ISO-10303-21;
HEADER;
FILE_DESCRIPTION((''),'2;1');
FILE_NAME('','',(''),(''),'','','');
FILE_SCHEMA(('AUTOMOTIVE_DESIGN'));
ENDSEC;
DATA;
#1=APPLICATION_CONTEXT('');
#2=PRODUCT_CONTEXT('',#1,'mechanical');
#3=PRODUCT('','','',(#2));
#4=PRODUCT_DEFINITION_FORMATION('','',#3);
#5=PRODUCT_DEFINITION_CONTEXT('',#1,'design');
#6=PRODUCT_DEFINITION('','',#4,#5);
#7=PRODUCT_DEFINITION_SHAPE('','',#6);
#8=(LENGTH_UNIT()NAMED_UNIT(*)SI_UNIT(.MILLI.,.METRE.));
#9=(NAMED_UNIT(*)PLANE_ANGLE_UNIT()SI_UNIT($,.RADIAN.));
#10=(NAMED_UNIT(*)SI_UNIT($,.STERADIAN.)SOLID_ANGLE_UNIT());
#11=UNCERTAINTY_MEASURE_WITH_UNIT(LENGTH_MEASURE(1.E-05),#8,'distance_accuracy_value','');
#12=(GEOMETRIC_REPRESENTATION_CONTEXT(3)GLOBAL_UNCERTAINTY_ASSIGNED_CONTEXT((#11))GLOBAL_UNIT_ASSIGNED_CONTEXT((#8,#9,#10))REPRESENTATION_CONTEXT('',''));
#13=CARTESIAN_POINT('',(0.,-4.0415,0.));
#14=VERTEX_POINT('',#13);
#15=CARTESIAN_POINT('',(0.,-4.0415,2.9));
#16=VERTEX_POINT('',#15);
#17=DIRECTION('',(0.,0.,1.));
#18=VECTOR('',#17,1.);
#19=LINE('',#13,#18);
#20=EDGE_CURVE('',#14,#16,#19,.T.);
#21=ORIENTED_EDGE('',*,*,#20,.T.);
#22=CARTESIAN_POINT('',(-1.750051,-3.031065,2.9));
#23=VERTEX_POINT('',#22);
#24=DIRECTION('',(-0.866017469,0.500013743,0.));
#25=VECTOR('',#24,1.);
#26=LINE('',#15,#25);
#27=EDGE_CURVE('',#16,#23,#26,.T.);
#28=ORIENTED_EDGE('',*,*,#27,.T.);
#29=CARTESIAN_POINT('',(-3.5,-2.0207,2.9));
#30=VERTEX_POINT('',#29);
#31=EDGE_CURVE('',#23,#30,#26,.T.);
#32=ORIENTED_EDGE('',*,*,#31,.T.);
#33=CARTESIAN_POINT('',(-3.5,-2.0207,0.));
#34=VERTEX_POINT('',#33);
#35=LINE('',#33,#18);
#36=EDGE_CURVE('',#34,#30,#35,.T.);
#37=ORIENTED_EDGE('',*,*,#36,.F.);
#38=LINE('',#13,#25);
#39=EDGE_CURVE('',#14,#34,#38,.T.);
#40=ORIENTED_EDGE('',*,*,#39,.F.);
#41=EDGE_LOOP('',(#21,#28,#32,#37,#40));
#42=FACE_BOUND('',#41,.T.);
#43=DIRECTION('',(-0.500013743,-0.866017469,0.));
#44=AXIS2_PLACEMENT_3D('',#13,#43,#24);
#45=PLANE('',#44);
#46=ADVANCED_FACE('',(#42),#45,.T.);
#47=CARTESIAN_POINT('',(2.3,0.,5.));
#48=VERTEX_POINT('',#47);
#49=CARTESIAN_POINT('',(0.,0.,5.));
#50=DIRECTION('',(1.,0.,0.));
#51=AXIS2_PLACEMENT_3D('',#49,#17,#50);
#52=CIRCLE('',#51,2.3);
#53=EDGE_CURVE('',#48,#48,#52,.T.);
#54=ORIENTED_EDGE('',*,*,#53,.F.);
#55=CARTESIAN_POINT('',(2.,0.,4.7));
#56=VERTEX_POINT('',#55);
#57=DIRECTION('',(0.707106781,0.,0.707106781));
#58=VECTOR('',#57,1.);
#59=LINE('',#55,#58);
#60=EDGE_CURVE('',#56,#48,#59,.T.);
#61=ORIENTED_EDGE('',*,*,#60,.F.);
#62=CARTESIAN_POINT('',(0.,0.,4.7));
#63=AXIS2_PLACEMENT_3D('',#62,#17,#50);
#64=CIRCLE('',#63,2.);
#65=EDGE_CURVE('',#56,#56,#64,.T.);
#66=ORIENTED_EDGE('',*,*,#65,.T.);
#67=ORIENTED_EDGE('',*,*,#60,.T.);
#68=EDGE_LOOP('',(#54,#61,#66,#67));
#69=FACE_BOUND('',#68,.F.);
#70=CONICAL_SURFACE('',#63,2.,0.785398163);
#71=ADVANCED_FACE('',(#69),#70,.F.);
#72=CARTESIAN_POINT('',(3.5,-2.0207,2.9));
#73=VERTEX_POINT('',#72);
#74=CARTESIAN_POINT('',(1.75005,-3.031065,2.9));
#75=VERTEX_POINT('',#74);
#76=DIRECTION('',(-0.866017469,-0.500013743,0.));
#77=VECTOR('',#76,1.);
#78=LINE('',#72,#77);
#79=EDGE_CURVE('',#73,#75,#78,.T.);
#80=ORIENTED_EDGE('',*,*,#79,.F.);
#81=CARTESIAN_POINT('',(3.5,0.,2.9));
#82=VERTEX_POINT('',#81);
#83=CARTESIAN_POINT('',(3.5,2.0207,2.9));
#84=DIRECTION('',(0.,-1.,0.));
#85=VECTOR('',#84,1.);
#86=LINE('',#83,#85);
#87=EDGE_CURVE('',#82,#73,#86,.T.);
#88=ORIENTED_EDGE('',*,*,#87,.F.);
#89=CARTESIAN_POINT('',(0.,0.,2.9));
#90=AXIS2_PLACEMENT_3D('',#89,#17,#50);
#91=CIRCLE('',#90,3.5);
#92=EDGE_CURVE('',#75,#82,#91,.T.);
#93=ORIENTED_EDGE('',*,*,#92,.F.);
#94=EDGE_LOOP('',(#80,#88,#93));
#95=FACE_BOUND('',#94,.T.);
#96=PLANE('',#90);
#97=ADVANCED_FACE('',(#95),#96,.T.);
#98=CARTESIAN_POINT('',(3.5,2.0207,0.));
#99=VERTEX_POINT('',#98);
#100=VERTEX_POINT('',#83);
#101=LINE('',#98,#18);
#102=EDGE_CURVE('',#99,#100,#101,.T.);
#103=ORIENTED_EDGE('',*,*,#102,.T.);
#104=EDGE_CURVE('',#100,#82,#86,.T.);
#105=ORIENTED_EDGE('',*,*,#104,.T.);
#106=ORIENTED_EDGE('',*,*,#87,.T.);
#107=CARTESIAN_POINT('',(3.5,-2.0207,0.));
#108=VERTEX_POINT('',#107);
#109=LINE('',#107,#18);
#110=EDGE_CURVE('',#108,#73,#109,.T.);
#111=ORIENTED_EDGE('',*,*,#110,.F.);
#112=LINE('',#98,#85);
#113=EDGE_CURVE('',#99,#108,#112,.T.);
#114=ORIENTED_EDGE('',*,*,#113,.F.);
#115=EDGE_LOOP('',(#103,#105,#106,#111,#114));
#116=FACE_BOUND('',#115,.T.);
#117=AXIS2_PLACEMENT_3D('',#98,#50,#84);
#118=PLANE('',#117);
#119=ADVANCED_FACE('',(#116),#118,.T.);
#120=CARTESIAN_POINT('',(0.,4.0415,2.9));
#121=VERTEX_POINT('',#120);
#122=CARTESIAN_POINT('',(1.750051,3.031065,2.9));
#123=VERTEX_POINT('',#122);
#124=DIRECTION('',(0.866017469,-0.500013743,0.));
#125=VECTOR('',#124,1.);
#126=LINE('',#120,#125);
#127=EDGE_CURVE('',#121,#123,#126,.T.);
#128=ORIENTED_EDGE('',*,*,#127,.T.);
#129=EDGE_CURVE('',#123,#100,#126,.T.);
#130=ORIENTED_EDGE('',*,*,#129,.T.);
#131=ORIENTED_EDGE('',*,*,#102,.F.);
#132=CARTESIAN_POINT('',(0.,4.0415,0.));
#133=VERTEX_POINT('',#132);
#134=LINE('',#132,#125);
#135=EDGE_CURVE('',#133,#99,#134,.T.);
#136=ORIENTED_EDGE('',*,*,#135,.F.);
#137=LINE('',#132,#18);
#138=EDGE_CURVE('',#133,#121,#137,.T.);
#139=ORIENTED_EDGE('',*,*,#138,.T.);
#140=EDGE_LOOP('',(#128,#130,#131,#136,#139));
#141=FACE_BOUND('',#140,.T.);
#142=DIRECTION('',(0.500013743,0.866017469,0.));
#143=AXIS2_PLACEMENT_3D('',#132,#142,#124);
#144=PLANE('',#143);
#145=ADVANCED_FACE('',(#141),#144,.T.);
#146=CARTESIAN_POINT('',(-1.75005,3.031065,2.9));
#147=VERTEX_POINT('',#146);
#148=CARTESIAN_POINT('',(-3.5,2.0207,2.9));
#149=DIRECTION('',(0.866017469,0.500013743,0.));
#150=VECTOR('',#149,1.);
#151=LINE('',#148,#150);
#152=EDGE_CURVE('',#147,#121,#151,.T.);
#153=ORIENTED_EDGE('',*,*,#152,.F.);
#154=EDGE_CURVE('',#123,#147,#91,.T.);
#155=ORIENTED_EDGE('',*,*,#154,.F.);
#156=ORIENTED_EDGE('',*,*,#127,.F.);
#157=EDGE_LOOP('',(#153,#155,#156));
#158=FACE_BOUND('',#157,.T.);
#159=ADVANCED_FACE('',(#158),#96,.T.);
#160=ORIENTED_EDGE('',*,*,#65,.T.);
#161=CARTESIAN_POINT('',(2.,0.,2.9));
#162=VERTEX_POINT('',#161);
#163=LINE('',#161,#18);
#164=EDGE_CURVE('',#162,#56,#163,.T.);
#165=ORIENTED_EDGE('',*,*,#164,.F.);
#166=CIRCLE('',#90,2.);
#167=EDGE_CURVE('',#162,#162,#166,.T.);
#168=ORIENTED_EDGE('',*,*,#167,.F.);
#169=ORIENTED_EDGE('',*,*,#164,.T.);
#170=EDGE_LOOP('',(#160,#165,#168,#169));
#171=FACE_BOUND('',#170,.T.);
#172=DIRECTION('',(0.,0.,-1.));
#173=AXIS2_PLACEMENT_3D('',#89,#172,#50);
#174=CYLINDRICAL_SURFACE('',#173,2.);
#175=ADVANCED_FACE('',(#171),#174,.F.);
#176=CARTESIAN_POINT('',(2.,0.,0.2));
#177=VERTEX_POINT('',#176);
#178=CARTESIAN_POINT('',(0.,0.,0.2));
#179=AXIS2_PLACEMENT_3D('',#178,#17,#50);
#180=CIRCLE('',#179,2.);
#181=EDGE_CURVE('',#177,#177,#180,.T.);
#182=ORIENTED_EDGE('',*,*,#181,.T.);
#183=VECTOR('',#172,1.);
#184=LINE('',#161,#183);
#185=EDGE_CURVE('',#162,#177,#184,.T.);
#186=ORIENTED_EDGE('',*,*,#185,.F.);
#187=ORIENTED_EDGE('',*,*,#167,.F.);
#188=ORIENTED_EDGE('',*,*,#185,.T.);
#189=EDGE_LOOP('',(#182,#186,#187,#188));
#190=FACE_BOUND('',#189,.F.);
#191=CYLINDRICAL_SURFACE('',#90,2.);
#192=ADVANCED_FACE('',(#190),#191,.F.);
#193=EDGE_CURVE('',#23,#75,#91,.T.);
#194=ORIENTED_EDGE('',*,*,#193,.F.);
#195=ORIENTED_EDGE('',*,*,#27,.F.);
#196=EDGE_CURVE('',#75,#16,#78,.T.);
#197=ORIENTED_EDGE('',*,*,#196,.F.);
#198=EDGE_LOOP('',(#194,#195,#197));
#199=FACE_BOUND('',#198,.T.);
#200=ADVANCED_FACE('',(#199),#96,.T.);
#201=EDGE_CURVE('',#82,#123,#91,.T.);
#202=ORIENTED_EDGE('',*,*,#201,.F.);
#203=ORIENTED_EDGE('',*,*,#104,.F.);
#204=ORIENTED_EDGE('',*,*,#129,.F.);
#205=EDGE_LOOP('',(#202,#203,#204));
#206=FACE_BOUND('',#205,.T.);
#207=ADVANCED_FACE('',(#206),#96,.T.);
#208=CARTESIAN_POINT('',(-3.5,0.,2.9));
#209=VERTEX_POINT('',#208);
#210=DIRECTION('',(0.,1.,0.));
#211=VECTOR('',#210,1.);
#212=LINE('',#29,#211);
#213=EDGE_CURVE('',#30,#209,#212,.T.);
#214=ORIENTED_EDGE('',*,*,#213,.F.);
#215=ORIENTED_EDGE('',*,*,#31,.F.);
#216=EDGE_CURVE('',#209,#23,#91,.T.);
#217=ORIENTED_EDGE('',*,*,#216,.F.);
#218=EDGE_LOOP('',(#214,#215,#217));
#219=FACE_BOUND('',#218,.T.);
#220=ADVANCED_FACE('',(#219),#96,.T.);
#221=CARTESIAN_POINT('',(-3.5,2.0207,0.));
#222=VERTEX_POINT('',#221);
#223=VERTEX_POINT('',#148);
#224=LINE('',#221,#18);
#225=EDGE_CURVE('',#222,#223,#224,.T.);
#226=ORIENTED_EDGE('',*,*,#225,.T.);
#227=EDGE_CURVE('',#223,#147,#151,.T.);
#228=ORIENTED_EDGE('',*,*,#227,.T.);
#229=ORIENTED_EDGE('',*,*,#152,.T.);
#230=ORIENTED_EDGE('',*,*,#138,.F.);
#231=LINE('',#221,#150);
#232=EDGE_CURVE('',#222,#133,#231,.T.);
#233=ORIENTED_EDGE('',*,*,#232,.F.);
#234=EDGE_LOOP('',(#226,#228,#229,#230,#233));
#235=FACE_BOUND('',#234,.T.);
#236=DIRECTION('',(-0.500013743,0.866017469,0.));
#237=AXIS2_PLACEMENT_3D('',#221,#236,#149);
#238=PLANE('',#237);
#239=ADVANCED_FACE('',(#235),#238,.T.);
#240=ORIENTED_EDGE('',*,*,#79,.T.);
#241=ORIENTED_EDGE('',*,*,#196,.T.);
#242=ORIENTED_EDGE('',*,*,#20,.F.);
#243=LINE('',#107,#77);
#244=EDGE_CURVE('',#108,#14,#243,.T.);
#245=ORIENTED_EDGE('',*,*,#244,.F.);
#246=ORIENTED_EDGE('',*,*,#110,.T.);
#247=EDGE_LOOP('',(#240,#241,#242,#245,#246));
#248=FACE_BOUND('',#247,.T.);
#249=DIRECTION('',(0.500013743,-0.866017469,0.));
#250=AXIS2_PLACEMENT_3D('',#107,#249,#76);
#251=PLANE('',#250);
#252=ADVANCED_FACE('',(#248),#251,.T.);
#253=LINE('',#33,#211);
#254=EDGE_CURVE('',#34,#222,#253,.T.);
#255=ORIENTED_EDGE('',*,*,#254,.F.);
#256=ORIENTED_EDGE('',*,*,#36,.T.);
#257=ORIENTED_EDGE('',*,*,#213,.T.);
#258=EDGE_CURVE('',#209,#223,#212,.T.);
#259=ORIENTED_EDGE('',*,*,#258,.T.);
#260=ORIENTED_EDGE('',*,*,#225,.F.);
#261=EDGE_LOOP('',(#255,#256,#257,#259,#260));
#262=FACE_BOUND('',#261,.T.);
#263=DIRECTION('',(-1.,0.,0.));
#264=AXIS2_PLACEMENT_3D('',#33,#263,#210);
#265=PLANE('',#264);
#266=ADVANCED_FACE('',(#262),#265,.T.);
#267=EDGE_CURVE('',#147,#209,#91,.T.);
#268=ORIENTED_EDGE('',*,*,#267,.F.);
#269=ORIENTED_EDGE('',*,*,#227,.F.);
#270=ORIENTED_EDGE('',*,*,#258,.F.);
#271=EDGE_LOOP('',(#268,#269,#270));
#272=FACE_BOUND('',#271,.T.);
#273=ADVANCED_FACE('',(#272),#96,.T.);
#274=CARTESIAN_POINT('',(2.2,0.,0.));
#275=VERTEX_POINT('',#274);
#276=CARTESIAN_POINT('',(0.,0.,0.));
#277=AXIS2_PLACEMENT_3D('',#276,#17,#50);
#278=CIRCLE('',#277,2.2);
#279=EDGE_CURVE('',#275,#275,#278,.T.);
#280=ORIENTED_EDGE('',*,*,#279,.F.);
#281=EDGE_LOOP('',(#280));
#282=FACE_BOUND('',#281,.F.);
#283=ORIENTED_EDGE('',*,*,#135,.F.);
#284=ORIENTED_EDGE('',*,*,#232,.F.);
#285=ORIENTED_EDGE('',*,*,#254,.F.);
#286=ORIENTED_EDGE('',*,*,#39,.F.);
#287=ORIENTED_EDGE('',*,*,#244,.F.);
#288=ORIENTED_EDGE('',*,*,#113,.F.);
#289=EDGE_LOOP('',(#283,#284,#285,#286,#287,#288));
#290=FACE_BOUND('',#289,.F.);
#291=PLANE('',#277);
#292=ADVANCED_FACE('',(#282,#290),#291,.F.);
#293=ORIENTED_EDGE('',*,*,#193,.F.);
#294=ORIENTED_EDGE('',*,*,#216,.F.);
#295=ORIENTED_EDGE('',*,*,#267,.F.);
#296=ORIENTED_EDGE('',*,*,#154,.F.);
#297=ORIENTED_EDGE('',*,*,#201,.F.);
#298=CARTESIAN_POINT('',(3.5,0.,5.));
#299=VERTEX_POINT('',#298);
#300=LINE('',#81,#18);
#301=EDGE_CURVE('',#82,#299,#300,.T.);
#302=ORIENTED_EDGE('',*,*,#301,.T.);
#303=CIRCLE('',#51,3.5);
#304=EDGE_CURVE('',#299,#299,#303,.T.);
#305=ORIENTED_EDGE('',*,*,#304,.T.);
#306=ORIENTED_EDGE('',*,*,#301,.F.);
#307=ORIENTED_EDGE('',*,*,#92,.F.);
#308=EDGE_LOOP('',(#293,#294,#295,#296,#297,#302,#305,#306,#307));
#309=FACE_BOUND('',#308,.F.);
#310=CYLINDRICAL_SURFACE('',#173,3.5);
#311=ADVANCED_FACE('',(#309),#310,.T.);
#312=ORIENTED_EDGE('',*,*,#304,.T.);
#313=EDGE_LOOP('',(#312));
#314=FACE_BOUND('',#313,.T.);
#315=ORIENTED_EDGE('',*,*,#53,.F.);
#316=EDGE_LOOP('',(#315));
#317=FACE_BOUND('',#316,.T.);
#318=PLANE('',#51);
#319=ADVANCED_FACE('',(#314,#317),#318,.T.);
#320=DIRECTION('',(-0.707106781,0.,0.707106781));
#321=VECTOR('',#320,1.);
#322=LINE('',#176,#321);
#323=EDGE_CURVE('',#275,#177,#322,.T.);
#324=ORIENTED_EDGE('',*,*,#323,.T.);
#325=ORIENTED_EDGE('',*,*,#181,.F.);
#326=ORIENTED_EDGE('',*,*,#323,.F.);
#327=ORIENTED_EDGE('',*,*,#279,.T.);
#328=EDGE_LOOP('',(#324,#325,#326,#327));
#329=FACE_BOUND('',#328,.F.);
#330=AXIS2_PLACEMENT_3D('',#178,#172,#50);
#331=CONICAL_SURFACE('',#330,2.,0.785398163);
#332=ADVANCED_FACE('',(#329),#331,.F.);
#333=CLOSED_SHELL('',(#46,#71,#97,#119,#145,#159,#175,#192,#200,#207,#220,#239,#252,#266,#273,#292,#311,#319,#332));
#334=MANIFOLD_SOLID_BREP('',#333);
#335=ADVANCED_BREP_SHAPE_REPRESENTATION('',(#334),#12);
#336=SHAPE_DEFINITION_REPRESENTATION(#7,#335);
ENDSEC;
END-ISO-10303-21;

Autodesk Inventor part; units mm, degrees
ref_plane "YZ Plane" through (0, 0, 0) normal (1, 0, 0) x (0, 1, 0)
ref_plane "XZ Plane" through (0, 0, 0) normal (0, 1, 0) x (-1, 0, 0)
ref_plane "XY Plane" through (0, 0, 0) normal (0, 0, 1) x (1, 0, 0)
sketch "Sketch1" plane through (0, 0, 0) normal (0, 0, 1) x (1, 0, 0)
  line L0 (0, 4.0415) -> (3.5, 2.0207)
  line L1 (3.5, 2.0207) -> (3.5, -2.0207)
  line L2 (3.5, -2.0207) -> (0, -4.0415)
  line L3 (0, -4.0415) -> (-3.5, -2.0207)
  line L4 (-3.5, -2.0207) -> (-3.5, 2.0207)
  line L5 (-3.5, 2.0207) -> (0, 4.0415)
  point P0 (0, 0)
  point P1 (0, 0)
  dimension "d0" = 7
extrude "Extrusion1" add sketch "Sketch1" along normal blind 2.9
sketch "Sketch2" plane through (0, 0, 2.9) normal (0, 0, 1) x (1, 0, 0)
  circle A0 centre (0, 0) radius 2
  dimension "d3" = 4
extrude "Extrusion2" cut sketch "Sketch2" against normal blind 5
sketch "Sketch3" plane through (0, 0, 2.9) normal (0, 0, 1) x (1, 0, 0)
  circle A0 centre (0, 0) radius 3.5
  circle A1 centre (0, 0) radius 2 projected
extrude "Extrusion3" add sketch "Sketch3" along normal blind 2.1
chamfer "Chamfer1" distance 0.2 angle 45 1 edges at (-2, 0, 0)
thread "Thread1" size "M4x0.7" class "6H" standard "ANSI Metric M Profile" length 4
chamfer "Chamfer2" distance 0.3 angle 45 1 edges at (-2, 0, 5)
properties part number "P88044_Nylor_Nut_M4"
